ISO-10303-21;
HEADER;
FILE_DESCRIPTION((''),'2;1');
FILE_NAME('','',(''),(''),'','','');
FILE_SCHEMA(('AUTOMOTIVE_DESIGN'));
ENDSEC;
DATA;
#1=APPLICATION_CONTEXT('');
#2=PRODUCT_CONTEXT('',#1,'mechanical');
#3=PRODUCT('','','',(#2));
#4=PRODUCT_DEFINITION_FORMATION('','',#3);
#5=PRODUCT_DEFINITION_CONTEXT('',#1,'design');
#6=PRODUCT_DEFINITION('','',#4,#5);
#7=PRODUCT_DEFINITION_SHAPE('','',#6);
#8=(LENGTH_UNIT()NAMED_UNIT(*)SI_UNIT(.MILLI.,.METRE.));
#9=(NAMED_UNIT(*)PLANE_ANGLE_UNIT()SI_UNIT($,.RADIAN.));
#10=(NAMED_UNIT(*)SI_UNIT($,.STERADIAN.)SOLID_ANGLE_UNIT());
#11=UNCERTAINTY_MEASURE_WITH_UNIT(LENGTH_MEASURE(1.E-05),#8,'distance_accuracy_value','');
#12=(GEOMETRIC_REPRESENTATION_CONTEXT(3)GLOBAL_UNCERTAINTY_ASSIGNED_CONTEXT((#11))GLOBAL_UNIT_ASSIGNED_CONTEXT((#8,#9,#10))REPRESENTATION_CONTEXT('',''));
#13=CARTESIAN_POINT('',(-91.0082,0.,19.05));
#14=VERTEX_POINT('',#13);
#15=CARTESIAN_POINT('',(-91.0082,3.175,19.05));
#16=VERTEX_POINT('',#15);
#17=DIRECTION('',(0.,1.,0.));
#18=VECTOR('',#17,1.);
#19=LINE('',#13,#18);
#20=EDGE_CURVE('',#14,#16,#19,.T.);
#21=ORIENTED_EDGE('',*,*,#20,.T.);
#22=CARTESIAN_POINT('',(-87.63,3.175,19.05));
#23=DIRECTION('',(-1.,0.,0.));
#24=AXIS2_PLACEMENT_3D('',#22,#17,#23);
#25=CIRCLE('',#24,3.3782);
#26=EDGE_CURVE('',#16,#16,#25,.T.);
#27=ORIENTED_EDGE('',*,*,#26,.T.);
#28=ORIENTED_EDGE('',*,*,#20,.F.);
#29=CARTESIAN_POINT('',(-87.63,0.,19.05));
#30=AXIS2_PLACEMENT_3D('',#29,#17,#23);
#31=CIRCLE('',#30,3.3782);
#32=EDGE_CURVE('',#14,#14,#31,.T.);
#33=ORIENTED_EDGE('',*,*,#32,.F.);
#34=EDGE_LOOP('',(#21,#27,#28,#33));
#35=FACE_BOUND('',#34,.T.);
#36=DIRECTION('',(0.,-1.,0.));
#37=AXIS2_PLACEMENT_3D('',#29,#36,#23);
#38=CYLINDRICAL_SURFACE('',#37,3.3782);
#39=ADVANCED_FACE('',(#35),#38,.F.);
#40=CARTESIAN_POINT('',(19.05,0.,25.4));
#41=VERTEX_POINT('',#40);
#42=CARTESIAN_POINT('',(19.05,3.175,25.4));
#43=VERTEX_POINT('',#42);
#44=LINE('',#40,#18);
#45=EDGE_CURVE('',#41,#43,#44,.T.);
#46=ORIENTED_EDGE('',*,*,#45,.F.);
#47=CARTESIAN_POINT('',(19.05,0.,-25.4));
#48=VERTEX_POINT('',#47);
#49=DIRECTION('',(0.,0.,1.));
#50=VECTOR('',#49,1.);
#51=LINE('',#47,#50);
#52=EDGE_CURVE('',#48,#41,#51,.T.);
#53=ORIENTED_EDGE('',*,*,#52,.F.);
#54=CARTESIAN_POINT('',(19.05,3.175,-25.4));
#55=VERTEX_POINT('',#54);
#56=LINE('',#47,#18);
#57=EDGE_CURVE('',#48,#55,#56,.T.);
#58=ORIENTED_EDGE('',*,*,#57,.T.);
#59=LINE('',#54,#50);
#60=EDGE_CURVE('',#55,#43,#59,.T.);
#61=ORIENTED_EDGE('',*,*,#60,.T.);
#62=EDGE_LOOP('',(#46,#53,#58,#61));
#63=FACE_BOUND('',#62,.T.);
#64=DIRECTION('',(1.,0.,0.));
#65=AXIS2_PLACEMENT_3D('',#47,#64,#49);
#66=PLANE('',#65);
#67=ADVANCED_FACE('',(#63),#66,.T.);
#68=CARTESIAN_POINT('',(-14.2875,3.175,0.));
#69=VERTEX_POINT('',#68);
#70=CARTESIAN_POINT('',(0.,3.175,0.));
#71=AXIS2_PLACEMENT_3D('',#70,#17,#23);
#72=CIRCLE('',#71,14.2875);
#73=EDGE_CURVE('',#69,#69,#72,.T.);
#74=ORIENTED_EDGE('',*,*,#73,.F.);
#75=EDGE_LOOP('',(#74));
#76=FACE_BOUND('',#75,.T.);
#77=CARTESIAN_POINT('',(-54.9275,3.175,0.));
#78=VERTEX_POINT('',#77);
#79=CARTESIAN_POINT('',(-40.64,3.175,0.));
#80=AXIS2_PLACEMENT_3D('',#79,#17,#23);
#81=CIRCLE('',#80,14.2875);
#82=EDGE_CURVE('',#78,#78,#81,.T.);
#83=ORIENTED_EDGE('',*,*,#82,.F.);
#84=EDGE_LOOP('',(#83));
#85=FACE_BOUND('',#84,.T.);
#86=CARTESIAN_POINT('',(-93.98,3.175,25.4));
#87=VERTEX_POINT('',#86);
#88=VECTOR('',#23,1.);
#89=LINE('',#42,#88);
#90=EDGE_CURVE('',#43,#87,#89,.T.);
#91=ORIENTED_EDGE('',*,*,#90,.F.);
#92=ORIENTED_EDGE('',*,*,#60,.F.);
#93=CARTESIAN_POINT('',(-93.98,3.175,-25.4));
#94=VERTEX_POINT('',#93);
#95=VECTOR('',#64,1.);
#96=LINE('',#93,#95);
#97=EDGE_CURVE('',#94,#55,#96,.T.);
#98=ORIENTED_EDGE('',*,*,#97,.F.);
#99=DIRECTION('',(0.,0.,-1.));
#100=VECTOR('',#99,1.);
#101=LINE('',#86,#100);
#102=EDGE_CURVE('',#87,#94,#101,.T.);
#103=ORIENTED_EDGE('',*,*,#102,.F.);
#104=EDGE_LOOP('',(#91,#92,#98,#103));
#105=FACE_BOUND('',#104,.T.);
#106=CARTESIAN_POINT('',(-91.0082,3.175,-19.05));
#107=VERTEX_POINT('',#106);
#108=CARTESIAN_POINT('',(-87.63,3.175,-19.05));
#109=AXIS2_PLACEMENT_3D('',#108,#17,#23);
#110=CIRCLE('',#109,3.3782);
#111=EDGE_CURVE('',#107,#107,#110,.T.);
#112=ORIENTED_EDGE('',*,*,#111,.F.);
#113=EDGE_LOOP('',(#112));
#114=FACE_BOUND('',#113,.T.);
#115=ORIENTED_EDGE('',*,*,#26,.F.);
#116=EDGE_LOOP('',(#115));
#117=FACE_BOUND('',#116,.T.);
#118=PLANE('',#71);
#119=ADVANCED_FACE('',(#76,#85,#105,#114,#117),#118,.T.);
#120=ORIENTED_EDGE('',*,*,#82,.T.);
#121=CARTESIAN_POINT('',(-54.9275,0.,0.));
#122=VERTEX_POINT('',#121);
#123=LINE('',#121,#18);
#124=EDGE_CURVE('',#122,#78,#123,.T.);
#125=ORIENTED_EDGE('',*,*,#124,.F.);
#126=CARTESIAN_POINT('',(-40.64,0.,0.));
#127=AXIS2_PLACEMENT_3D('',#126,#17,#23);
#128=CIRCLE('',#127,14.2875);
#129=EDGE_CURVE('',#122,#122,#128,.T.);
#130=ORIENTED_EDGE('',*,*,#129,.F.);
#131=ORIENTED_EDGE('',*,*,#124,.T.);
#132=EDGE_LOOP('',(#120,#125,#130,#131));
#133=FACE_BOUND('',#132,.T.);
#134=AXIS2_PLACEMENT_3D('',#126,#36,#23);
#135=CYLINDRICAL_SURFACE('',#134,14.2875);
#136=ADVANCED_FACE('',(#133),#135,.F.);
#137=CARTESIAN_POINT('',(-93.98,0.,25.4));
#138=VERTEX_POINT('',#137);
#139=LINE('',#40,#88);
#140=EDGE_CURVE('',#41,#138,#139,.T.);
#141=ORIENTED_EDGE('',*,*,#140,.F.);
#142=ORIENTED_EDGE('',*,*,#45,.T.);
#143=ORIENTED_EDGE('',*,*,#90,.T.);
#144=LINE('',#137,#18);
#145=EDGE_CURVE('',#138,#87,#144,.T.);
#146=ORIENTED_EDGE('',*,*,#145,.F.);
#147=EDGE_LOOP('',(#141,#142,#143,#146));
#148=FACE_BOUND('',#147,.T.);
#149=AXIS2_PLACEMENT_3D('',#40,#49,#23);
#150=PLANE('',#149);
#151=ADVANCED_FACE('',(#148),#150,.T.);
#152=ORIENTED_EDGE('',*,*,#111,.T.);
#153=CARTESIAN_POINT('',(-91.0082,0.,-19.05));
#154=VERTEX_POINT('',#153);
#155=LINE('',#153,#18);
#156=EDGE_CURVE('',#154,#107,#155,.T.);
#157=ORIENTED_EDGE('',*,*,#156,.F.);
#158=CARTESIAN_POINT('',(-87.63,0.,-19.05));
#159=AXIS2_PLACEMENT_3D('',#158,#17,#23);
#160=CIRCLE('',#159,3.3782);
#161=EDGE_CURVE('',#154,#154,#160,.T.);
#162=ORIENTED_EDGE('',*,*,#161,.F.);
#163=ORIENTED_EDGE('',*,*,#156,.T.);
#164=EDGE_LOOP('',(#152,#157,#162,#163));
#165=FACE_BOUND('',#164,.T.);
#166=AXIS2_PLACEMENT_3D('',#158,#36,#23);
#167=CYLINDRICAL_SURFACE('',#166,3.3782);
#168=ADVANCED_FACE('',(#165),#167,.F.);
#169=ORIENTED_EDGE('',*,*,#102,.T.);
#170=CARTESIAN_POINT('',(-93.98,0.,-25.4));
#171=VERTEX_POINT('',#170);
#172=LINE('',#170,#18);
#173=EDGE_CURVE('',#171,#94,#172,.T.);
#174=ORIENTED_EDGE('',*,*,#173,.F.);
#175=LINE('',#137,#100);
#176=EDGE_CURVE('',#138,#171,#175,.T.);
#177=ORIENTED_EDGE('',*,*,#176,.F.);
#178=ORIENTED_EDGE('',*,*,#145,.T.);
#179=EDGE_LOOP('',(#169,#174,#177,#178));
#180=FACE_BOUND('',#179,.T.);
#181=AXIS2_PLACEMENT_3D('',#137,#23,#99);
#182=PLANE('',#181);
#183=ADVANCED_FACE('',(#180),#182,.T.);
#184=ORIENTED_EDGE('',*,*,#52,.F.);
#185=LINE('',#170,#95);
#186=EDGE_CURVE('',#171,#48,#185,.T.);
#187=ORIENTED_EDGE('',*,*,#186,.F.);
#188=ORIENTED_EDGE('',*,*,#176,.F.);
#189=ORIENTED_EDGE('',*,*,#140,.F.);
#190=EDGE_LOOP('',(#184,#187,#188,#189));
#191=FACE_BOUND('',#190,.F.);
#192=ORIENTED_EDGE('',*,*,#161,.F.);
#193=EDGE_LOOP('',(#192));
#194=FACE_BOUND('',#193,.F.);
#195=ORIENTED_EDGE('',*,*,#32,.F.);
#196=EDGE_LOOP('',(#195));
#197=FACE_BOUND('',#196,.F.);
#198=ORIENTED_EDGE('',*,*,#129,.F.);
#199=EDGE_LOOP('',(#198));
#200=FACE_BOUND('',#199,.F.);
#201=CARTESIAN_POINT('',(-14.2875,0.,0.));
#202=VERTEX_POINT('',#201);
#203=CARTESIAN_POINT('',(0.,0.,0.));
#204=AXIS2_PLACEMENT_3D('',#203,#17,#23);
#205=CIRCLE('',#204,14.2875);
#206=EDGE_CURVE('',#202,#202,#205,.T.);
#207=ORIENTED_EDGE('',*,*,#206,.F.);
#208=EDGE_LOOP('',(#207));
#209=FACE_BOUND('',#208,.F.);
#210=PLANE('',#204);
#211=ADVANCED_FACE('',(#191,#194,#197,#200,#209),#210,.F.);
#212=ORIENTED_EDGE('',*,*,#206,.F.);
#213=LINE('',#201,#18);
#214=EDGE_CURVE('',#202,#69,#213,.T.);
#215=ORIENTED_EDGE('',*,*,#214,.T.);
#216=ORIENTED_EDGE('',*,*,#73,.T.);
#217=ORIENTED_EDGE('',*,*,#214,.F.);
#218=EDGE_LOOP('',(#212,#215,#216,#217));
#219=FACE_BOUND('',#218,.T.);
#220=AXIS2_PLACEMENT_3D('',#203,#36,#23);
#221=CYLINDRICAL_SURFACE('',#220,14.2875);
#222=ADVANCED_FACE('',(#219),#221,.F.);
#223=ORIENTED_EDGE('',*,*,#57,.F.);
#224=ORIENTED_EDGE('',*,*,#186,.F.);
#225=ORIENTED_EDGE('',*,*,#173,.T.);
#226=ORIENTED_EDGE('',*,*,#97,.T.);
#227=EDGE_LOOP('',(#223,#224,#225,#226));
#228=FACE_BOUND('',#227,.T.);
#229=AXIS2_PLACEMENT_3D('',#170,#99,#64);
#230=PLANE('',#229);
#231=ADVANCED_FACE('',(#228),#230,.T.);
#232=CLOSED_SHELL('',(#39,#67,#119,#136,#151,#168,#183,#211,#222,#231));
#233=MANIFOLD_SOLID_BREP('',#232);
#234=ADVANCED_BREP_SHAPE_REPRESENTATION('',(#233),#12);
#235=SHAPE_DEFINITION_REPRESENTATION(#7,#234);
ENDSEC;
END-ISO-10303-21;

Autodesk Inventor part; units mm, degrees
ref_plane "YZ Plane" through (0, 0, 0) normal (1, 0, 0) x (0, 1, 0)
ref_plane "XZ Plane" through (0, 0, 0) normal (0, 1, 0) x (-1, 0, 0)
ref_plane "XY Plane" through (0, 0, 0) normal (0, 0, 1) x (1, 0, 0)
sketch "Sketch1" plane through (0, 0, 0) normal (0, 1, 0) x (-1, 0, 0)
  circle A0 centre (0, 0) radius 14.2875
  circle A1 centre (87.63, -19.05) radius 3.3782
  circle A2 centre (87.63, 19.05) radius 3.3782
  circle A3 centre (40.64, 0) radius 14.2875
  line L0 (-19.05, 25.4) -> (93.98, 25.4)
  line L1 (93.98, 25.4) -> (93.98, -25.4)
  line L2 (93.98, -25.4) -> (-19.05, -25.4)
  line L3 (-19.05, -25.4) -> (-19.05, 25.4)
  dimension "d0" = 28.575
  dimension "d1" = 6.7564
  dimension "d2" = 6.7564
  dimension "d3" = 19.05
  dimension "d4" = 19.05
  dimension "d5" = 0
  dimension "d6" = 87.63
  dimension "d8" = 28.575
  dimension "d9" = 40.64
  dimension "d10" = 6.35
  dimension "d11" = 6.35
  dimension "d12" = 6.35
  dimension "d13" = 19.05
extrude "Extrusion1" add sketch "Sketch1" along normal blind 3.175
properties part number "Bearing Plate 2-1"
